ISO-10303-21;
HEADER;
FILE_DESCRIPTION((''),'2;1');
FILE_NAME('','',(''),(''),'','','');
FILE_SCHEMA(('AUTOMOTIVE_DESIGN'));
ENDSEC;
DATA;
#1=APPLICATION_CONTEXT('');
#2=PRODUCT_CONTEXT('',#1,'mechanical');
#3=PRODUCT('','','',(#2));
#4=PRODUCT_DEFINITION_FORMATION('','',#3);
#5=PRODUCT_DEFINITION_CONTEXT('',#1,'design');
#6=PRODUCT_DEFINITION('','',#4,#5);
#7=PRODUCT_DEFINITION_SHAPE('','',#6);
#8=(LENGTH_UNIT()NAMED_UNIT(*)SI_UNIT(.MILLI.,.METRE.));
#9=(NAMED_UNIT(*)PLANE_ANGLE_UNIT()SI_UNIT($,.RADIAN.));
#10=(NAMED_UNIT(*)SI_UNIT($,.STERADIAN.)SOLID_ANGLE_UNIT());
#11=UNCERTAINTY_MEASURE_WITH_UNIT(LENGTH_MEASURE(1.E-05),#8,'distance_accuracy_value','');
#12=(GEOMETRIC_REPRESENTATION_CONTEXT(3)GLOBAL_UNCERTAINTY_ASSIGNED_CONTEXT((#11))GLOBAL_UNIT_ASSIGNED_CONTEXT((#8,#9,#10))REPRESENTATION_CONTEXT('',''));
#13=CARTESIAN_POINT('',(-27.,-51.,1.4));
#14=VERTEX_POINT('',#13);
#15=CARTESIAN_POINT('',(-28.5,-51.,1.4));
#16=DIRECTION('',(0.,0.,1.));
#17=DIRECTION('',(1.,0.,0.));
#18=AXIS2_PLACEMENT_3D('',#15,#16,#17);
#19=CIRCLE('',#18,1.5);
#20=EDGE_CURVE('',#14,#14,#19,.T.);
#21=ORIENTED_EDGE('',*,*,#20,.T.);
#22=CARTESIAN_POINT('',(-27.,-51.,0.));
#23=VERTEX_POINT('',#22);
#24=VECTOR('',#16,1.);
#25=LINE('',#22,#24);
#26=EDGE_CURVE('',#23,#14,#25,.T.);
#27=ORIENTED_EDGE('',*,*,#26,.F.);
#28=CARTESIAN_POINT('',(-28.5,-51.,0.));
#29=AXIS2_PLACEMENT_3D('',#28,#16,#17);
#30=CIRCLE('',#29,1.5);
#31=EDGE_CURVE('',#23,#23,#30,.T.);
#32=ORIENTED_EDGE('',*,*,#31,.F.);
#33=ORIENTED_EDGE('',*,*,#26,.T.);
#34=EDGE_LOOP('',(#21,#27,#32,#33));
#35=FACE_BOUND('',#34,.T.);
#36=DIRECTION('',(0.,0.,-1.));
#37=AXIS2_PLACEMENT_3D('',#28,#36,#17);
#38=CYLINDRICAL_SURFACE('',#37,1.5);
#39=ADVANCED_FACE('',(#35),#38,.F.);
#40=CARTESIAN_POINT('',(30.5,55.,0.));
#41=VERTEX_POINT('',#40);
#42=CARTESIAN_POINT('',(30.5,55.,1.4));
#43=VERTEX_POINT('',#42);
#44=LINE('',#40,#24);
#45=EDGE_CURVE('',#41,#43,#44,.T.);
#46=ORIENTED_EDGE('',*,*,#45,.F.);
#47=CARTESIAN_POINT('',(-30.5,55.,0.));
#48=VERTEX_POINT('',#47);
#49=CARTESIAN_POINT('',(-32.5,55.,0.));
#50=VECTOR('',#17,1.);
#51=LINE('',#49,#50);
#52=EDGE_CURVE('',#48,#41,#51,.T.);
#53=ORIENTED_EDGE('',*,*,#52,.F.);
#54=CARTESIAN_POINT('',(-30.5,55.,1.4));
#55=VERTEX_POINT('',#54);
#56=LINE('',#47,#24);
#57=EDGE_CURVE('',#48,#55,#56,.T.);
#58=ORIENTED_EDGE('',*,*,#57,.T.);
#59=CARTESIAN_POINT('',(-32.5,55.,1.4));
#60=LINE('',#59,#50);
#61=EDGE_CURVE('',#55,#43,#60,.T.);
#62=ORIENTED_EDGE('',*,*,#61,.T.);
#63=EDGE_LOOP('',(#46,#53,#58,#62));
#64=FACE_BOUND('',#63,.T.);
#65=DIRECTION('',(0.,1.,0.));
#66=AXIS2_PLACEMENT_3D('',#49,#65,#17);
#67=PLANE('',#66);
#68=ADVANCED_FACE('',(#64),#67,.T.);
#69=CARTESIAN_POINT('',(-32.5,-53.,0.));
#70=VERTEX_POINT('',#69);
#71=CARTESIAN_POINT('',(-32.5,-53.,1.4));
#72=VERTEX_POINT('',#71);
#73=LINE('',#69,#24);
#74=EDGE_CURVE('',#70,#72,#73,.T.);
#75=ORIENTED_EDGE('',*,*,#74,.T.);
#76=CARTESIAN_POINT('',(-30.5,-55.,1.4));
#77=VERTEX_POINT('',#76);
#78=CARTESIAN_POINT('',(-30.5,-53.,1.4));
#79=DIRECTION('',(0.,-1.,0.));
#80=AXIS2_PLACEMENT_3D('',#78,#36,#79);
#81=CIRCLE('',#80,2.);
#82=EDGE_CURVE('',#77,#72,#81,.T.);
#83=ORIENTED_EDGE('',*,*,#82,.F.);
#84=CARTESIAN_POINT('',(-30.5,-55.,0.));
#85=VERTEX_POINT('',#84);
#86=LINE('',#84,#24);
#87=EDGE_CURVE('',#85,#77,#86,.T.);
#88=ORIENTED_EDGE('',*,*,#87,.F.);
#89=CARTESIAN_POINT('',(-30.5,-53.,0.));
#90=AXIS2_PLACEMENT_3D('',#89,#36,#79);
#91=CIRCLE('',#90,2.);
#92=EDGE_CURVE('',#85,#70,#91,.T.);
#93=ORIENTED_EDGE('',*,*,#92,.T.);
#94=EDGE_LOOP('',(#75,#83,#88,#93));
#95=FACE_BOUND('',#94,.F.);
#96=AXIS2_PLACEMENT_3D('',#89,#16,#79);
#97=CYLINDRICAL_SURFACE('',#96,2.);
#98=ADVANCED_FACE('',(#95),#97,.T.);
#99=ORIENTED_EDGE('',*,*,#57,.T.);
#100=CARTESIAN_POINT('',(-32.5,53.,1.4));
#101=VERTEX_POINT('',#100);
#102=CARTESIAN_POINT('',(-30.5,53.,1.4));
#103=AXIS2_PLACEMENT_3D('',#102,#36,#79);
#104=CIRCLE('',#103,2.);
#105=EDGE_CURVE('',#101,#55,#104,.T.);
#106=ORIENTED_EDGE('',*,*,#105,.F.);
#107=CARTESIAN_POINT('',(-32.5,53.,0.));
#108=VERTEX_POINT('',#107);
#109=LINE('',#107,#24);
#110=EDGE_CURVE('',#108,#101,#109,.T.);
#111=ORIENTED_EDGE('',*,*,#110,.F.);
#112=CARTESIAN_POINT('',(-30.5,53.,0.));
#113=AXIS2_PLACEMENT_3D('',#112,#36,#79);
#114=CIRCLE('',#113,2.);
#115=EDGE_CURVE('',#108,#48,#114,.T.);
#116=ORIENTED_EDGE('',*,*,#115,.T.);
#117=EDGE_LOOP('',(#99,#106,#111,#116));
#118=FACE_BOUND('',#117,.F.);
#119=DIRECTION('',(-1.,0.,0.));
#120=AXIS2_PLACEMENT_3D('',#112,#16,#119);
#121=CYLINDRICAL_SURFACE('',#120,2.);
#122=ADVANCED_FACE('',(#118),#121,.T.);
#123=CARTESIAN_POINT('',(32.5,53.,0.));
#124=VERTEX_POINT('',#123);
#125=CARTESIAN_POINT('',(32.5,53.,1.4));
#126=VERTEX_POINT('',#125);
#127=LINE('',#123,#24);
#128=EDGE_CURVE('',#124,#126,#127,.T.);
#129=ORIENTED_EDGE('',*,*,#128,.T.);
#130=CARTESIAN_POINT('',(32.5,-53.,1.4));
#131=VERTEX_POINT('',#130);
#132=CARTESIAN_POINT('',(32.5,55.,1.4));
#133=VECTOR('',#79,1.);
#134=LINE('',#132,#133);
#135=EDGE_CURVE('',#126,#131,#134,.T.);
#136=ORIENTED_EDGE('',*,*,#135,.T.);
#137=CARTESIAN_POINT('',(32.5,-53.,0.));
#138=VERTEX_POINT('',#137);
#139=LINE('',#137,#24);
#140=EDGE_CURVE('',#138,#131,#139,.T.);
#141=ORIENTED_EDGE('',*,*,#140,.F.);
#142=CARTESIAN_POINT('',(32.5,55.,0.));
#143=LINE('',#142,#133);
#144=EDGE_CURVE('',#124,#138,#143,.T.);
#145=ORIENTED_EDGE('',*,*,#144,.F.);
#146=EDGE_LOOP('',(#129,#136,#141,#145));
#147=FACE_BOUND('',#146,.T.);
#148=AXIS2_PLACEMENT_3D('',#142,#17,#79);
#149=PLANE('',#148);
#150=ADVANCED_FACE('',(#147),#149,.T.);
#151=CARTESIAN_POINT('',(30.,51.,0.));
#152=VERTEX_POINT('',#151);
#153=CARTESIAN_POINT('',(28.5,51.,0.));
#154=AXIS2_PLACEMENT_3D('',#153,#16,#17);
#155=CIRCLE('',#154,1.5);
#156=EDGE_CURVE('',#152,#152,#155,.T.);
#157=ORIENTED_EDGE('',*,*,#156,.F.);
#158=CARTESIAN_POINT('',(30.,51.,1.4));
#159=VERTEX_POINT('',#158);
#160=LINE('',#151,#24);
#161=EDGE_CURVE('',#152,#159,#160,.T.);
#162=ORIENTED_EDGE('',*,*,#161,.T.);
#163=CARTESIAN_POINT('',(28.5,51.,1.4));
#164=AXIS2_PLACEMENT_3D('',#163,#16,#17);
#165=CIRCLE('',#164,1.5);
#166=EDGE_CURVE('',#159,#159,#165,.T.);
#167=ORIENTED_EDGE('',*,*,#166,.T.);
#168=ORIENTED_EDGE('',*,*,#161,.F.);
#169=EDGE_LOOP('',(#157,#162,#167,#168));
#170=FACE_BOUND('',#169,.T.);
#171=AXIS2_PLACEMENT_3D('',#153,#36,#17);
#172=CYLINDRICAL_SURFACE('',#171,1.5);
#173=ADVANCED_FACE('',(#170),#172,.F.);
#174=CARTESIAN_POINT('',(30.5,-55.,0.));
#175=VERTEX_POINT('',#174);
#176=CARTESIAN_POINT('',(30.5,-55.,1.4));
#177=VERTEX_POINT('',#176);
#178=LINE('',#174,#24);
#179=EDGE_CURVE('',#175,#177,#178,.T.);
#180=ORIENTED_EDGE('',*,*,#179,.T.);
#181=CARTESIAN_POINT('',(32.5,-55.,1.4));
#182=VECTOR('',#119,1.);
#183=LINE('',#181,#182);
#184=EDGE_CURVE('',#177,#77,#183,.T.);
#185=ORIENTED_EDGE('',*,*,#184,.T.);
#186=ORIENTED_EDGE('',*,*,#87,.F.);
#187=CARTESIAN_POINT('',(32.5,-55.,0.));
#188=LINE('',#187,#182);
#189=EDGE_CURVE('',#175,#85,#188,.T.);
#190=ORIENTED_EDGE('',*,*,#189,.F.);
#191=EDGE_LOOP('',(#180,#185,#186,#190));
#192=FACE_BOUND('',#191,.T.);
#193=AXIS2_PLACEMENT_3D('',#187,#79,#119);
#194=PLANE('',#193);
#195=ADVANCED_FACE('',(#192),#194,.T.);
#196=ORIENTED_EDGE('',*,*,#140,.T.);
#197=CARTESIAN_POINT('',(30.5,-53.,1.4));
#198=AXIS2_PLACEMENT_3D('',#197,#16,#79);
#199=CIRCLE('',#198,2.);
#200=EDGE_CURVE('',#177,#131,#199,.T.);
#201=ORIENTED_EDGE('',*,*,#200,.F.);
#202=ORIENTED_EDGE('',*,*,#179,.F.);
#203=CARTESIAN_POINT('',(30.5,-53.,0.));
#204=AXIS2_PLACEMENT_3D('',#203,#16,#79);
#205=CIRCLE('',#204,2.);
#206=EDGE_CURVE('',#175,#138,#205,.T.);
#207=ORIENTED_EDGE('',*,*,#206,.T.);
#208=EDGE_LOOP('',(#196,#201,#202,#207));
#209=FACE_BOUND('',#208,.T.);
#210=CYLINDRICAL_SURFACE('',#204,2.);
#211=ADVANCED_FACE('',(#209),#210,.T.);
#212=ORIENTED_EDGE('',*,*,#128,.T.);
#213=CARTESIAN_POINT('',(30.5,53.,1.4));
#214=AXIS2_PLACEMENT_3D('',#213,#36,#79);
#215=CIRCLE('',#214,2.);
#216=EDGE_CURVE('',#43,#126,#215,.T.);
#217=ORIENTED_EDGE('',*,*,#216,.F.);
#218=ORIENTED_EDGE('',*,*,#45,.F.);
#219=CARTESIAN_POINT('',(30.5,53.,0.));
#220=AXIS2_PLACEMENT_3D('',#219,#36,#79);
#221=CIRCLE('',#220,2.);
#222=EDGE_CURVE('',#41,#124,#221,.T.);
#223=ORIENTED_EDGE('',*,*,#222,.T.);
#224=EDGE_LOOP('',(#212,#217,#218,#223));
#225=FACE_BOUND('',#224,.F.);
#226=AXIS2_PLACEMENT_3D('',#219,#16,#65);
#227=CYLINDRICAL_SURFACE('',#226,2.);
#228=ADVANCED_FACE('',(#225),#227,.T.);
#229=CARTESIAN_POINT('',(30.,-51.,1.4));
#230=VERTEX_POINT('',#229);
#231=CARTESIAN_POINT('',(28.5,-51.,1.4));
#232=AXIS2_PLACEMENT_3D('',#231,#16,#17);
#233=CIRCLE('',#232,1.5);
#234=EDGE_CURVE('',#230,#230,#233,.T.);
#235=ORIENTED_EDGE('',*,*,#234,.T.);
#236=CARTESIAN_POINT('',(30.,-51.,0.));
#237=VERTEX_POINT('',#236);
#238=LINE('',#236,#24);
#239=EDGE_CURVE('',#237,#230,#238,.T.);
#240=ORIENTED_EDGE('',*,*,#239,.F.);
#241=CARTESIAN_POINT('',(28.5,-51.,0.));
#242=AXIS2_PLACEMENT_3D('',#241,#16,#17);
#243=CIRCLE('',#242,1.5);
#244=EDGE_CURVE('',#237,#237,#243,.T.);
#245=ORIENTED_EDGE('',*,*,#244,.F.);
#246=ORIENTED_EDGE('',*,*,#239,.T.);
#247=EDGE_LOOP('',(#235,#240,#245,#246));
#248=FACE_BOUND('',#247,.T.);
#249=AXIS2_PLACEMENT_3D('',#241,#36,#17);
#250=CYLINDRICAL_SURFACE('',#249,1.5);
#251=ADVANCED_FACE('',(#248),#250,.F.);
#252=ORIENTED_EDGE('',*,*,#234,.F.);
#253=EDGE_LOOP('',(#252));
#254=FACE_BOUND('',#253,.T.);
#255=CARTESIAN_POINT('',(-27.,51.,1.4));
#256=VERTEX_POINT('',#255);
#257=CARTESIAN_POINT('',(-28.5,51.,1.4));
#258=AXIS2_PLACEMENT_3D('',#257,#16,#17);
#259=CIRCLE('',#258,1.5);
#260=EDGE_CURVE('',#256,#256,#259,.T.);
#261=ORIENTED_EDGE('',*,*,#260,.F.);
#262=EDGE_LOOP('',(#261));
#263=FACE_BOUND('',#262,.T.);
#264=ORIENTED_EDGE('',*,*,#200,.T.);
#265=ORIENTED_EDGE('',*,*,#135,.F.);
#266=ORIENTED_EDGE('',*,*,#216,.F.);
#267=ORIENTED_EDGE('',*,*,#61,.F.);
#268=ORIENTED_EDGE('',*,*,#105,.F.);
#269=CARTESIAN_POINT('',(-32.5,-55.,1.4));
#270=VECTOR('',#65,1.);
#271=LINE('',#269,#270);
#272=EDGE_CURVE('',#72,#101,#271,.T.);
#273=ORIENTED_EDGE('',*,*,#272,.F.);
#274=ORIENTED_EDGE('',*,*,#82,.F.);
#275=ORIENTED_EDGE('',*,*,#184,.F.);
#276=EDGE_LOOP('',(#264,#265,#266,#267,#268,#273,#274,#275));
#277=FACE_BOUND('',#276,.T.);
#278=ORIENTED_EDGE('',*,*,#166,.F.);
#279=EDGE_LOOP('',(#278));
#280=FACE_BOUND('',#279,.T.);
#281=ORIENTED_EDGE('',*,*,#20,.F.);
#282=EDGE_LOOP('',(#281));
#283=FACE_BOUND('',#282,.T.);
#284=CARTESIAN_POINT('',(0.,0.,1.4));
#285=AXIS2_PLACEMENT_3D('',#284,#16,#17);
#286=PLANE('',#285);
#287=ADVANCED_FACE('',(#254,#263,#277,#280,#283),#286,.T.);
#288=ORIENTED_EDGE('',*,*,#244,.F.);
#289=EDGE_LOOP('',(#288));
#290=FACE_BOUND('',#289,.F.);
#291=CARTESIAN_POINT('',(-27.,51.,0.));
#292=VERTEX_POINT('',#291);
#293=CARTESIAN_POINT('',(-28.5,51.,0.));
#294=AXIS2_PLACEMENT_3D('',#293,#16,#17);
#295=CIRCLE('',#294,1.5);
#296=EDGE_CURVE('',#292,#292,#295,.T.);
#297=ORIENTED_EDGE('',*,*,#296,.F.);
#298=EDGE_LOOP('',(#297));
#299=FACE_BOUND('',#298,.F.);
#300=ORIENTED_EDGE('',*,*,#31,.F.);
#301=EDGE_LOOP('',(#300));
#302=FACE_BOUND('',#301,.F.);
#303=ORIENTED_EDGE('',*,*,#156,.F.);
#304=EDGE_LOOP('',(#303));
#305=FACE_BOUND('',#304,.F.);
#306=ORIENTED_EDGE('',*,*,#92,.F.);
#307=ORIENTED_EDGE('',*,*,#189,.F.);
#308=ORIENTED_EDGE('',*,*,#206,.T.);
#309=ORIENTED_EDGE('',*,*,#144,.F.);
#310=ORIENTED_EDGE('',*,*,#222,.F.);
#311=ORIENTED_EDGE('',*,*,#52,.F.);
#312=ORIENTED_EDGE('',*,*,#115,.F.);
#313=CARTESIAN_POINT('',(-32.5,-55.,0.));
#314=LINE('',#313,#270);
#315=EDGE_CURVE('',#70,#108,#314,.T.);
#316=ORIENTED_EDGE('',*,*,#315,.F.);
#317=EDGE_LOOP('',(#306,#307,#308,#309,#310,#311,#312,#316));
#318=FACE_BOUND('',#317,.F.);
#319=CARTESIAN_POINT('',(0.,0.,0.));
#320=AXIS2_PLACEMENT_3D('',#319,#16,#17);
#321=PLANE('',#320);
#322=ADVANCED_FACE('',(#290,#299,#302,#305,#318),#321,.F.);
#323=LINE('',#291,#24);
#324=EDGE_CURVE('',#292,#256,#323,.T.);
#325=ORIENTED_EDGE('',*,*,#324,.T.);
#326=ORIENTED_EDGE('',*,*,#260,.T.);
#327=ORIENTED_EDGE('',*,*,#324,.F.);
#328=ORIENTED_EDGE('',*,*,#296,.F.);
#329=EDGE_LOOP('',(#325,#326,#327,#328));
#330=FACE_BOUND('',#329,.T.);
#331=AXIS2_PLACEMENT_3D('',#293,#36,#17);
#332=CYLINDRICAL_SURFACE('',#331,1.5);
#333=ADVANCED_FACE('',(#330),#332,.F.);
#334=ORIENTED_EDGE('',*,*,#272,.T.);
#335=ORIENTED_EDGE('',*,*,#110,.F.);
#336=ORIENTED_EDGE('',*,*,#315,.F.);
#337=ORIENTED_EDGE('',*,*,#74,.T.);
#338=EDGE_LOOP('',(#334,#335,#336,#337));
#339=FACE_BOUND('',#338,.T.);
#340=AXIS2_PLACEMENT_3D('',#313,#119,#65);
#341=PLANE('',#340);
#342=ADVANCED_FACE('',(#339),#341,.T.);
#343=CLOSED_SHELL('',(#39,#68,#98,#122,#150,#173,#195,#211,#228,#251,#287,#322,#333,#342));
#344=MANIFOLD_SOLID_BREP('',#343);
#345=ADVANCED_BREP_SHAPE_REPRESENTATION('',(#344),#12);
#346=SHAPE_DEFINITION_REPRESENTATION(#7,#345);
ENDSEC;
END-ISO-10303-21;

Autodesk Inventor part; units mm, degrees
ref_plane "YZ Plane" through (0, 0, 0) normal (1, 0, 0) x (0, 1, 0)
ref_plane "XZ Plane" through (0, 0, 0) normal (0, 1, 0) x (-1, 0, 0)
ref_plane "XY Plane" through (0, 0, 0) normal (0, 0, 1) x (1, 0, 0)
sketch "Эскиз1" plane through (0, 0, 0) normal (0, 0, 1) x (1, 0, 0)
  line L0 (28.5, 51) -> (-28.5, 51) construction
  line L1 (-28.5, 51) -> (-28.5, -51) construction
  line L2 (-28.5, -51) -> (28.5, -51) construction
  line L3 (28.5, -51) -> (28.5, 51) construction
  line L4 (28.5, 51) -> (-28.5, -51) construction
  line L5 (-28.5, 51) -> (28.5, -51) construction
  circle A0 centre (-28.5, 51) radius 1.5
  circle A1 centre (28.5, 51) radius 1.5
  circle A2 centre (-28.5, -51) radius 1.5
  circle A3 centre (28.5, -51) radius 1.5
  line L6 (32.5, -55) -> (-32.5, -55)
  line L7 (-32.5, -55) -> (-32.5, 55)
  line L8 (-32.5, 55) -> (32.5, 55)
  line L9 (32.5, 55) -> (32.5, -55)
  line L10 (32.5, -55) -> (-32.5, 55) construction
  line L11 (-32.5, -55) -> (32.5, 55) construction
  point P0 (0, 0)
  point P1 (0, 0)
  dimension "d0" = 57
  dimension "d1" = 102
  dimension "d2" = 3
  dimension "d3" = 3
  dimension "d4" = 3
  dimension "d5" = 3
  dimension "d6" = 65
  dimension "d7" = 110
extrude "Выдавливание1" add sketch "Эскиз1" along normal blind 1.4
fillet "Сопряжение1" radius 2 4 edges at (-32.5, 55, 0.7) (32.5, 55, 0.7) (-32.5, -55, 0.7) (32.5, -55, 0.7)
sketch "Эскиз2" plane through (0, 0, 1.4) normal (0, 0, 1) x (1, 0, 0)
  line L0 (36.1838, 87.7862) -> (49.9544, -99.5548) construction
  line L1 (49.9544, -99.5548) -> (-36.5855, -105.916) construction
  line L2 (-36.5855, -105.916) -> (-50.3561, 81.4251) construction
  line L3 (-50.3561, 81.4251) -> (36.1838, 87.7862) construction
  arc A0 (30.5, -55) -> (32.5, -53) centre (30.5, -53) ccw projected
  line L4 (32.5, -53) -> (32.5, 53) projected
  arc A1 (32.5, 53) -> (30.5, 55) centre (30.5, 53) ccw projected
  line L5 (30.5, 55) -> (-30.5, 55) projected
  arc A2 (-30.5, 55) -> (-32.5, 53) centre (-30.5, 53) ccw projected
  line L6 (-32.5, 53) -> (-32.5, -53) projected
  arc A3 (-32.5, -53) -> (-30.5, -55) centre (-30.5, -53) ccw projected
  line L7 (-30.5, -55) -> (30.5, -55) projected
  circle A4 centre (28.5, -51) radius 1.5 projected
  circle A5 centre (-28.5, -51) radius 1.5 projected
  circle A6 centre (28.5, 51) radius 1.5 projected
  circle A7 centre (-28.5, 51) radius 1.5 projected
  point P0 (0, 0)
decal "Маркировка1"
sketch "Эскиз3" plane through (0, 0, 0) normal (0, 0, -1) x (-1, 0, 0)
  line L0 (-24.5, 37) -> (24.5, 37) projected
  line L1 (24.5, 37) -> (24.5, -37) projected
  line L2 (24.5, -37) -> (-24.5, -37) projected
  line L3 (-24.5, -37) -> (-24.5, 37) projected
  ellipse E0 centre (-33.2228, -110.0838) end of major axis (-36.8911, -105.1818) minor radius 4 (-35.1117, -104.6274) -> (-36, -104.7456) ccw projected
  line L4 (34.1288, -104.6274) -> (-35.1117, -104.6274) projected
  ellipse E1 centre (30.2103, -110.0838) end of major axis (36.8811, -105.7867) minor radius 4 (35.9716, -104.9988) -> (34.1288, -104.6274) ccw projected
  line L5 (35.9716, 104.9988) -> (35.9716, -104.9988) projected
  ellipse E2 centre (30.2103, 110.0838) end of major axis (36.8811, 105.7867) minor radius 4 (34.1288, 104.6274) -> (35.9716, 104.9988) ccw projected
  line L6 (-35.1117, 104.6274) -> (34.1288, 104.6274) projected
  ellipse E3 centre (-33.2228, 110.0838) end of major axis (-36.8911, 105.1818) minor radius 4 (-36, 104.7456) -> (-35.1117, 104.6274) ccw projected
  line L7 (-36, -104.7456) -> (-36, 104.7456) projected
  line L8 (69.7943, 59.0707) -> (69.7943, -58.9868) construction
  line L9 (69.7943, -58.9868) -> (-33.2981, -58.9868) construction
  line L10 (-33.2981, -58.9868) -> (-33.2981, 59.0707) construction
  line L11 (-33.2981, 59.0707) -> (69.7943, 59.0707) construction
  point P0 (0, 0)
decal "Маркировка2"
properties part number "ЭКРАН"
